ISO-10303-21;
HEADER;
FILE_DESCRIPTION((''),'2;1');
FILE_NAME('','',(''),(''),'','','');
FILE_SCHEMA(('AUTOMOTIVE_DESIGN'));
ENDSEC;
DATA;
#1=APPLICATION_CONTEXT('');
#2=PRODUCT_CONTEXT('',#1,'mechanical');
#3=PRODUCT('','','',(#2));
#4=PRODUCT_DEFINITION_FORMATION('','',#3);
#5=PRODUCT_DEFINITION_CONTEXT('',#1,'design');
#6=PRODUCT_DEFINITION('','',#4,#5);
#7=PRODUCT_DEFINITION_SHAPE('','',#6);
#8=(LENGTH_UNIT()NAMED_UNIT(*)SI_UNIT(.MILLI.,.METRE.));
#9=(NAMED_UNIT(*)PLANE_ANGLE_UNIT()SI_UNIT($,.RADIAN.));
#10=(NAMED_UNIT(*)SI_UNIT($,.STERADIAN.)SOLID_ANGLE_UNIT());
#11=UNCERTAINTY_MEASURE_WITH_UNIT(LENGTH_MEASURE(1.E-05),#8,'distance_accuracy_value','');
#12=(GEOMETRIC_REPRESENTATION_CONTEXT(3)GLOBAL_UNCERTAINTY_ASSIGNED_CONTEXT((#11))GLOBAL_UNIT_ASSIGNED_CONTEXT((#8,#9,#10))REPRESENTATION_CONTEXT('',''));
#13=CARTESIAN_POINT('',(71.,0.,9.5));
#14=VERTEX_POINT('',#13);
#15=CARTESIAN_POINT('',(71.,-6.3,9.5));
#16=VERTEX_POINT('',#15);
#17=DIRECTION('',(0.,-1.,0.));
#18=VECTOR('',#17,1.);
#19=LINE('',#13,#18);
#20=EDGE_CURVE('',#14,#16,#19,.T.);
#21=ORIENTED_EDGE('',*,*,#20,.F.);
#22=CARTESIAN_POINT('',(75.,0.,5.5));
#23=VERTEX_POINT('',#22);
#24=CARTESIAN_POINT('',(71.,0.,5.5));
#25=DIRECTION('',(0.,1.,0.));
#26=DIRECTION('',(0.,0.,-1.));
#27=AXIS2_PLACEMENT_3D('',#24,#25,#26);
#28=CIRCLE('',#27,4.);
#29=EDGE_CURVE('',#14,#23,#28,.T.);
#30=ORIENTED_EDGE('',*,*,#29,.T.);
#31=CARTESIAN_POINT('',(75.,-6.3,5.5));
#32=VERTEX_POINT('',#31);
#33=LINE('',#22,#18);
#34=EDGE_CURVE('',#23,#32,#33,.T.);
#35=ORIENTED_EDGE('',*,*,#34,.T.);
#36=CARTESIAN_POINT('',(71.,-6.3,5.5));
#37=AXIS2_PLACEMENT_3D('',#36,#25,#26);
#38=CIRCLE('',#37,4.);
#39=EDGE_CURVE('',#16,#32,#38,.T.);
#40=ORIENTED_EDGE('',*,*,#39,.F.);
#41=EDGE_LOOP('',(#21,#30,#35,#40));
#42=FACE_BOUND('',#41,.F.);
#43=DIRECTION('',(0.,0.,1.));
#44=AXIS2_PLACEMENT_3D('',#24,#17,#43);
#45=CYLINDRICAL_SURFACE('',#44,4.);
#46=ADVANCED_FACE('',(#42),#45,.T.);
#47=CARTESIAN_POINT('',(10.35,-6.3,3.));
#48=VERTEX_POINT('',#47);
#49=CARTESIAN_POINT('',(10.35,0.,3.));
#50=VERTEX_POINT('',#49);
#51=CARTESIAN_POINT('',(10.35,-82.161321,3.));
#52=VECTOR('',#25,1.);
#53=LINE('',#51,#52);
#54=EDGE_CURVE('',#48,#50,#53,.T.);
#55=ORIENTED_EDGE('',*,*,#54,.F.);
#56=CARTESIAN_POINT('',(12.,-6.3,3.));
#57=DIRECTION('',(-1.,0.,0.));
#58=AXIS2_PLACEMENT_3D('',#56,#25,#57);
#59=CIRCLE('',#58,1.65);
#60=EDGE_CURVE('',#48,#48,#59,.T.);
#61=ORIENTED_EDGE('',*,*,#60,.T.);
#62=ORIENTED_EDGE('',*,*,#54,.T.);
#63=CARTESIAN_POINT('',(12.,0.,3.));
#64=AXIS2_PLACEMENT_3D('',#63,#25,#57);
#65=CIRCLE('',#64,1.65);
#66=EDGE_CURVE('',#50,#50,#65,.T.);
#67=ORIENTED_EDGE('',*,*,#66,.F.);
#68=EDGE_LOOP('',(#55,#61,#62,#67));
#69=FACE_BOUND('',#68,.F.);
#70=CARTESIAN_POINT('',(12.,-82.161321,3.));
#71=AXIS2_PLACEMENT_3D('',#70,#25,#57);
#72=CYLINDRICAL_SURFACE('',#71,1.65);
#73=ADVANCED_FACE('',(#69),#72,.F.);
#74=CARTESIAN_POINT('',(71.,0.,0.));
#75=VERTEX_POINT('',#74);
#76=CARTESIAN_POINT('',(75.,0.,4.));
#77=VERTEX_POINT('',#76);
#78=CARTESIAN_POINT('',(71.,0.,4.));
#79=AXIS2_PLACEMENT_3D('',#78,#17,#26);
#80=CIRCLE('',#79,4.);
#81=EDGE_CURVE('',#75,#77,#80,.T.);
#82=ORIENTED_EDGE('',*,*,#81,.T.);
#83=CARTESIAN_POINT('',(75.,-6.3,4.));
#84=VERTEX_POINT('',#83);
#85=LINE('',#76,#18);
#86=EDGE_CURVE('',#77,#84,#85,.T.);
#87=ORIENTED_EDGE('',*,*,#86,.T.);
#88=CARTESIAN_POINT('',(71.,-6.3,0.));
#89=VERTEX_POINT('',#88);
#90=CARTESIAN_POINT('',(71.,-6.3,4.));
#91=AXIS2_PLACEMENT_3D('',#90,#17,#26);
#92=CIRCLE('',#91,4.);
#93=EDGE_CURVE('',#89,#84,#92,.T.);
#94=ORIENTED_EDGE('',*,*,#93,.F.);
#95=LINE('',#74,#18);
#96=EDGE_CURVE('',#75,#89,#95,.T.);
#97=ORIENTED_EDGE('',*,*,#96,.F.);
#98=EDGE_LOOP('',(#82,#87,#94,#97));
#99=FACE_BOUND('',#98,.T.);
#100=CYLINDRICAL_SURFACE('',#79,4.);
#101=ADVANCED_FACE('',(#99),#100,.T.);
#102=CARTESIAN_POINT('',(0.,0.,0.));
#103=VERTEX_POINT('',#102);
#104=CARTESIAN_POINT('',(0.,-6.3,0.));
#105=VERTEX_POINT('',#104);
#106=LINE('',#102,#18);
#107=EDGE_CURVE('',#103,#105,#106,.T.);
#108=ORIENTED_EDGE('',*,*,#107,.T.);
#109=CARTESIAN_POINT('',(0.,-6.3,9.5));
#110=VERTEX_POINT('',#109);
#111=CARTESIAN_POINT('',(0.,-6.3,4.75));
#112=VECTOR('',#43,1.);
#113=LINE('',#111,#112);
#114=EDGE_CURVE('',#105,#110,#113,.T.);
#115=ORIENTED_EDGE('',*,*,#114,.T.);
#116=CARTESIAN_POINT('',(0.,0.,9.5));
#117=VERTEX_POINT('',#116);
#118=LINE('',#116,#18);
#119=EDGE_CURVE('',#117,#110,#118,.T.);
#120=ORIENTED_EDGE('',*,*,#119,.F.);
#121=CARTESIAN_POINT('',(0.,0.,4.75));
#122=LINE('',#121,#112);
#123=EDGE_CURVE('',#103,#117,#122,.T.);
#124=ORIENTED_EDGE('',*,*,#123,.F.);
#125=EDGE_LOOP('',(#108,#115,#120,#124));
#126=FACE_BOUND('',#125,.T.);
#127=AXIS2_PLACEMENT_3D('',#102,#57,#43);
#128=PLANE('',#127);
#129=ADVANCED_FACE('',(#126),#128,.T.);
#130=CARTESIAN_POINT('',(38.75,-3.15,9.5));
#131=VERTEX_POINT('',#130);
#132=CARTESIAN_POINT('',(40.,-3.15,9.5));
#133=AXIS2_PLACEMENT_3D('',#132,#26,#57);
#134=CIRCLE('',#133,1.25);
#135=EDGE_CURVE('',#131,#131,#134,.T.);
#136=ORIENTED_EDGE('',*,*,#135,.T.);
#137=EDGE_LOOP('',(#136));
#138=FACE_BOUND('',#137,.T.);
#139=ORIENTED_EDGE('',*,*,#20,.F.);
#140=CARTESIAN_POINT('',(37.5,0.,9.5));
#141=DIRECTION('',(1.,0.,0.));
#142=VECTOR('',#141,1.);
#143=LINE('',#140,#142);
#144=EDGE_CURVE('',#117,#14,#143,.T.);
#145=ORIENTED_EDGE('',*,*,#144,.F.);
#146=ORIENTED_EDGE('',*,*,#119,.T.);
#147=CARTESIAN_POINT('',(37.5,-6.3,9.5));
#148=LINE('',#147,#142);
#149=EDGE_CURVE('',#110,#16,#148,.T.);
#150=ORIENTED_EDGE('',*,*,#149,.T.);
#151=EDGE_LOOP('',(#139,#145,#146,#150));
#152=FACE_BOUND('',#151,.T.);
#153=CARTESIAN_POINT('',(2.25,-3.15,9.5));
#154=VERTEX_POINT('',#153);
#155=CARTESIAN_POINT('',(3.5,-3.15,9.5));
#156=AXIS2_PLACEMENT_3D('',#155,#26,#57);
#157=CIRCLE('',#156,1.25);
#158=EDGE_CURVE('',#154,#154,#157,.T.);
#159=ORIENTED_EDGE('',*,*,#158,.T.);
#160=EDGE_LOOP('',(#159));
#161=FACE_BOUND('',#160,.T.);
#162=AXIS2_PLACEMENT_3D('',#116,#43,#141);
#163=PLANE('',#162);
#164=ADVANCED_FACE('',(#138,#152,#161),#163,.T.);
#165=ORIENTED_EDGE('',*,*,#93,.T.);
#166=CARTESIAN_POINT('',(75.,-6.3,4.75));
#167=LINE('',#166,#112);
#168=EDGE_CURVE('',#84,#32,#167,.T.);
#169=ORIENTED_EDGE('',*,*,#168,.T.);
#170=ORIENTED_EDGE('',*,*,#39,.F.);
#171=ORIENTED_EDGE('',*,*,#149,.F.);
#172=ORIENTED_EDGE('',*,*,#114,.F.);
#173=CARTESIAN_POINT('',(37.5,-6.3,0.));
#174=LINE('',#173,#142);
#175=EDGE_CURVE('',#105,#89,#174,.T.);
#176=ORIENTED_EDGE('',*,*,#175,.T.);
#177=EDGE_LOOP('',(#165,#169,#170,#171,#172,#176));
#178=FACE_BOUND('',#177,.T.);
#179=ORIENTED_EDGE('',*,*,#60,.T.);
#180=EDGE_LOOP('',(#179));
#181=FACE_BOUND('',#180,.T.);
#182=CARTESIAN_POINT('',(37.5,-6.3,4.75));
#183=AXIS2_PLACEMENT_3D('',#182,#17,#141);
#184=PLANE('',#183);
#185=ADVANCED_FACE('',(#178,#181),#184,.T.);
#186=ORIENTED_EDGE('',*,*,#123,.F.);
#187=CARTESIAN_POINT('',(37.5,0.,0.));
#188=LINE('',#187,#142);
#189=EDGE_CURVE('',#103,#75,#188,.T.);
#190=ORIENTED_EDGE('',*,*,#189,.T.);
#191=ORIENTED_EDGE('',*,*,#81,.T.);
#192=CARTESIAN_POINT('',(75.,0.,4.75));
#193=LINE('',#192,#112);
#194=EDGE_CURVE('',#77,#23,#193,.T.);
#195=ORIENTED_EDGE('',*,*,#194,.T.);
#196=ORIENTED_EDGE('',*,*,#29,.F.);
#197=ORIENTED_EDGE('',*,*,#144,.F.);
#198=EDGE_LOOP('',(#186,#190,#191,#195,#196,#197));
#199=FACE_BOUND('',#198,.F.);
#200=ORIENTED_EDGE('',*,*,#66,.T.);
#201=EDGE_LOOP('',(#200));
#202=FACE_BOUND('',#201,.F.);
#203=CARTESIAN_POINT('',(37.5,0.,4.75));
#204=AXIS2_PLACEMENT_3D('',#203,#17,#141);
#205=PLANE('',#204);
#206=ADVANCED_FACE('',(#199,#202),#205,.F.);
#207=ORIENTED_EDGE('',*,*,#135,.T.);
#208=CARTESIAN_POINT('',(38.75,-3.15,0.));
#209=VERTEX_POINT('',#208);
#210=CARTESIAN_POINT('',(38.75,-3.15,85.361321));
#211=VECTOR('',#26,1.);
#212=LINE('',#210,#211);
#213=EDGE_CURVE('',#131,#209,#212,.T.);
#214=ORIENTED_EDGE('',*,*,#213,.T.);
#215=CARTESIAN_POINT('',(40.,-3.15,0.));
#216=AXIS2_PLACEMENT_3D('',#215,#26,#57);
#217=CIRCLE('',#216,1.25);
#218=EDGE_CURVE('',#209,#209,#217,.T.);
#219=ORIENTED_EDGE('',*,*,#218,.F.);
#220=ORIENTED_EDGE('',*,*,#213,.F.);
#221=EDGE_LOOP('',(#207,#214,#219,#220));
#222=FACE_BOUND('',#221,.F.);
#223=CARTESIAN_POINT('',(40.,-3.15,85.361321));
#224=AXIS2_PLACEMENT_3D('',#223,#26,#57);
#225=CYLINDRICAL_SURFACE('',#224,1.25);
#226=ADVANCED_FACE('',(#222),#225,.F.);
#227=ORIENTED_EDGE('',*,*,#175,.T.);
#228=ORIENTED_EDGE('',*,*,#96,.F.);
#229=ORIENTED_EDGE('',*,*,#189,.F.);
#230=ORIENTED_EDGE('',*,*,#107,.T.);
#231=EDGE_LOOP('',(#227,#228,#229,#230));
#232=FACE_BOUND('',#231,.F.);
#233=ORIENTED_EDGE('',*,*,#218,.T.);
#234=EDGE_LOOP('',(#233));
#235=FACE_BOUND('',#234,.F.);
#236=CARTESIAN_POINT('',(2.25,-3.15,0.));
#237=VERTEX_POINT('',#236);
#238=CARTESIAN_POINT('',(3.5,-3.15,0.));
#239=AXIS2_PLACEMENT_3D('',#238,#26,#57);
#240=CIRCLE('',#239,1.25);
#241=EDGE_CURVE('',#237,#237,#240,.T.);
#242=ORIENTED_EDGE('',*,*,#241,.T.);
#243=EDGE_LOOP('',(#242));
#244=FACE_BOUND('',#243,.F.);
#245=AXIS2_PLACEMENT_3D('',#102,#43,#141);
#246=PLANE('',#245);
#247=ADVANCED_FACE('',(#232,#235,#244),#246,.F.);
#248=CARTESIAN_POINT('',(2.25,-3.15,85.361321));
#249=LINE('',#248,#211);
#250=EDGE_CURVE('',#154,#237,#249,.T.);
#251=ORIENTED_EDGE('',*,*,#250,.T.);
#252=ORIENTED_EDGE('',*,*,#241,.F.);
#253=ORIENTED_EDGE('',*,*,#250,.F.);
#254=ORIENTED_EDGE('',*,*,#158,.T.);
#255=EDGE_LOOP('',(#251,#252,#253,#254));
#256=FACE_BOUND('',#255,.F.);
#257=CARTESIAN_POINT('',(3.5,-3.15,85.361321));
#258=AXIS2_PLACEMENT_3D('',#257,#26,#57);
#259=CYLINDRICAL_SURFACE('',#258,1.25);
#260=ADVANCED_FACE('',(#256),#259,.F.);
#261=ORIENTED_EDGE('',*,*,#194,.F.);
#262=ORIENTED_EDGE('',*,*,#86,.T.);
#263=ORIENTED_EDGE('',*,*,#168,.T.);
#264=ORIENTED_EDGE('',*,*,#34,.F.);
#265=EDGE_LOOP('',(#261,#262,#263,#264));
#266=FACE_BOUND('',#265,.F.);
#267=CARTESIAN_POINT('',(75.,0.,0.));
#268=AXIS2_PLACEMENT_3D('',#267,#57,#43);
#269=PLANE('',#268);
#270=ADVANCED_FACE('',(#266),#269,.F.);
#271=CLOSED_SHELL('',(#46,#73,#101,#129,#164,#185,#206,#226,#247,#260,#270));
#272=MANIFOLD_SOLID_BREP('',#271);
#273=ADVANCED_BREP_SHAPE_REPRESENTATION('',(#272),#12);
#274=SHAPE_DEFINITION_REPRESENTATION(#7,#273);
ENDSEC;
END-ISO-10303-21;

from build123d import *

# Parameters (mm, degrees)
F0_W     = 75
F0_H     = 9.5
F1_DEPTH = 6.3
F3_D     = 2.5
F5_D     = 3.3
F6_R     = 4


with BuildPart() as f1:
    # F0 (on Front) → F1 (new body)
    with BuildSketch(Plane.XZ):
        with Locations((37.5, 4.75)):
            Rectangle(F0_W, F0_H)
    extrude(amount=F1_DEPTH)

    # F3 (through all)
    with Locations(Plane.XY.offset(9.5)):
        with Locations((3.5, -3.15), (40, -3.15)):
            Hole(F3_D / 2)

    # F5 (through all)
    with Locations(Plane.XZ.offset(6.3)):
        with Locations((12, 3)):
            Hole(F5_D / 2)

    # F6
    f6_edges = [f1.edges().sort_by_distance(p)[0] for p in [
        (75, -3.15, 9.5),
        (75, -3.15, 0),
    ]]
    fillet(f6_edges, radius=F6_R)


solid = f1.part
